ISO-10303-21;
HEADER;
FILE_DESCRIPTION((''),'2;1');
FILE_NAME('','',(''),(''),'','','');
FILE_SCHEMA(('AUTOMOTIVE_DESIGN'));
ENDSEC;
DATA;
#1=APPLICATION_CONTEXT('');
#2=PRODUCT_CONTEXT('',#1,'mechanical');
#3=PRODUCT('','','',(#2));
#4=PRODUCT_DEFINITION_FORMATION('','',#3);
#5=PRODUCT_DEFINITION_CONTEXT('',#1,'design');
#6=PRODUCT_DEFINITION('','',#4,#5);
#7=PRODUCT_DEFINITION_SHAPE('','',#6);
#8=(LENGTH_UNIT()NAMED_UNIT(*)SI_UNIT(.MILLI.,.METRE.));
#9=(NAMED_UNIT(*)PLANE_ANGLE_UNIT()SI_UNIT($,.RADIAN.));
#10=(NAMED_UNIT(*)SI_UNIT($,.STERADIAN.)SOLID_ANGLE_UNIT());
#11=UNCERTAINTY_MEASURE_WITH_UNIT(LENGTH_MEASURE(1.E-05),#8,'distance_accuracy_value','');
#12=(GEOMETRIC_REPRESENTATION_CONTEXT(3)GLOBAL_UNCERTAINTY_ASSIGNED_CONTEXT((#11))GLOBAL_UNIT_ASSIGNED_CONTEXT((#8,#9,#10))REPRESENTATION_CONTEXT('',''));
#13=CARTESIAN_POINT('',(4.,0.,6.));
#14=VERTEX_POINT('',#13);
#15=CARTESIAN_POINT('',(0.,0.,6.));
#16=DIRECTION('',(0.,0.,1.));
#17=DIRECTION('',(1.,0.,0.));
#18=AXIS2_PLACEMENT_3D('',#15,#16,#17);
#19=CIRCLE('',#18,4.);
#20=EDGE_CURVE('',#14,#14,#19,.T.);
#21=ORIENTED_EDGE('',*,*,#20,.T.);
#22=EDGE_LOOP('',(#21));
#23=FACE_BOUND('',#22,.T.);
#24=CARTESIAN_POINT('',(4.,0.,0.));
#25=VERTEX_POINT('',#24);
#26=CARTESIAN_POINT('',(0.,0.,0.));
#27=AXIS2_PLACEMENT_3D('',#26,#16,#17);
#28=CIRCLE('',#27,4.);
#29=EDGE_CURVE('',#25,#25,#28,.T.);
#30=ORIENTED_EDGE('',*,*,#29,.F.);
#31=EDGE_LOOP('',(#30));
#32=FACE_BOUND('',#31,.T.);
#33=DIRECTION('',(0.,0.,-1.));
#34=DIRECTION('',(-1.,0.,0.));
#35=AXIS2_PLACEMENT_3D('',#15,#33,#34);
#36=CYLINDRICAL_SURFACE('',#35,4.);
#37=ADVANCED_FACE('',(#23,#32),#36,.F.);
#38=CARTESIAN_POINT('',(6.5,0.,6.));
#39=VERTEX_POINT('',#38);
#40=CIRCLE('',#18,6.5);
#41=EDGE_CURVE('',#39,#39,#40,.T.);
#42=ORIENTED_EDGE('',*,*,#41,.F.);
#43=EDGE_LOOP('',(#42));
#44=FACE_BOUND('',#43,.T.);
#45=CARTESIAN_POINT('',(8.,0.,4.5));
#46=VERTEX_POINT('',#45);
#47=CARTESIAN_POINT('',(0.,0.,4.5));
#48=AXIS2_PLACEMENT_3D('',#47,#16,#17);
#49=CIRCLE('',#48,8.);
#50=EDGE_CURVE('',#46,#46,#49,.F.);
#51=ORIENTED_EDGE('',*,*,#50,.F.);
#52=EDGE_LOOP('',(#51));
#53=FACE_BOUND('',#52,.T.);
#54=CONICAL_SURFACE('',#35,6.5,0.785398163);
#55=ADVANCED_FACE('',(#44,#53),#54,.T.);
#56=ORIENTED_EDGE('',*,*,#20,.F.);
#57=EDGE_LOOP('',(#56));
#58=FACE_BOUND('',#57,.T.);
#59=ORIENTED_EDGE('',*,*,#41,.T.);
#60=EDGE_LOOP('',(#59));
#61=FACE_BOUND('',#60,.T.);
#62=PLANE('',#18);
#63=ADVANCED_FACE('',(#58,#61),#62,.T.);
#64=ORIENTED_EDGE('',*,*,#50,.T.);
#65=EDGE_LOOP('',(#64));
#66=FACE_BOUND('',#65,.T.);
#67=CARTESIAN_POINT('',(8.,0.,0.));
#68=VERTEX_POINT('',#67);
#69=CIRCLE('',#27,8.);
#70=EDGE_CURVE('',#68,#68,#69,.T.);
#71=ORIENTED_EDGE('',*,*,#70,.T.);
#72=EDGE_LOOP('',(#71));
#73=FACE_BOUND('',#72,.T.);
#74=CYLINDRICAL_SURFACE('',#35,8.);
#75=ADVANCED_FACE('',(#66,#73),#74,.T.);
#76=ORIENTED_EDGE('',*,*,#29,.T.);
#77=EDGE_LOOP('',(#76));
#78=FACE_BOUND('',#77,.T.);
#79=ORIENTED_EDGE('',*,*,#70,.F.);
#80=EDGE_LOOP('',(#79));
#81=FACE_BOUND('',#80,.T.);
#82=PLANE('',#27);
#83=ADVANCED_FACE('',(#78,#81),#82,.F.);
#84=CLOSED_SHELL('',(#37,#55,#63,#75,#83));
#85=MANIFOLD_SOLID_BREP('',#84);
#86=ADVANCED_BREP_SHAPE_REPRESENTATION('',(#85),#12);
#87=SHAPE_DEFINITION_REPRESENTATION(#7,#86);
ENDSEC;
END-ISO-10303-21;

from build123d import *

# Parameters (mm, degrees)
SCHIZZO1_R                   = 8
SCHIZZO1_R_2                 = 4
ESTRUSIONE_ESTRUSIONE1_DEPTH = 6
SMUSSO1_SIZE                 = 1.5


with BuildPart() as part:
    # Schizzo1 → Estrusione-Estrusione1 (new body)
    with BuildSketch(Plane.XY):
        Circle(SCHIZZO1_R)
        Circle(SCHIZZO1_R_2, mode=Mode.SUBTRACT)
    extrude(amount=ESTRUSIONE_ESTRUSIONE1_DEPTH)

    # Smusso1
    smusso1_edges = [part.edges().sort_by_distance(p)[0] for p in [
        (-8, 0, 6),
    ]]
    chamfer(smusso1_edges, length=SMUSSO1_SIZE)


solid = part.part
